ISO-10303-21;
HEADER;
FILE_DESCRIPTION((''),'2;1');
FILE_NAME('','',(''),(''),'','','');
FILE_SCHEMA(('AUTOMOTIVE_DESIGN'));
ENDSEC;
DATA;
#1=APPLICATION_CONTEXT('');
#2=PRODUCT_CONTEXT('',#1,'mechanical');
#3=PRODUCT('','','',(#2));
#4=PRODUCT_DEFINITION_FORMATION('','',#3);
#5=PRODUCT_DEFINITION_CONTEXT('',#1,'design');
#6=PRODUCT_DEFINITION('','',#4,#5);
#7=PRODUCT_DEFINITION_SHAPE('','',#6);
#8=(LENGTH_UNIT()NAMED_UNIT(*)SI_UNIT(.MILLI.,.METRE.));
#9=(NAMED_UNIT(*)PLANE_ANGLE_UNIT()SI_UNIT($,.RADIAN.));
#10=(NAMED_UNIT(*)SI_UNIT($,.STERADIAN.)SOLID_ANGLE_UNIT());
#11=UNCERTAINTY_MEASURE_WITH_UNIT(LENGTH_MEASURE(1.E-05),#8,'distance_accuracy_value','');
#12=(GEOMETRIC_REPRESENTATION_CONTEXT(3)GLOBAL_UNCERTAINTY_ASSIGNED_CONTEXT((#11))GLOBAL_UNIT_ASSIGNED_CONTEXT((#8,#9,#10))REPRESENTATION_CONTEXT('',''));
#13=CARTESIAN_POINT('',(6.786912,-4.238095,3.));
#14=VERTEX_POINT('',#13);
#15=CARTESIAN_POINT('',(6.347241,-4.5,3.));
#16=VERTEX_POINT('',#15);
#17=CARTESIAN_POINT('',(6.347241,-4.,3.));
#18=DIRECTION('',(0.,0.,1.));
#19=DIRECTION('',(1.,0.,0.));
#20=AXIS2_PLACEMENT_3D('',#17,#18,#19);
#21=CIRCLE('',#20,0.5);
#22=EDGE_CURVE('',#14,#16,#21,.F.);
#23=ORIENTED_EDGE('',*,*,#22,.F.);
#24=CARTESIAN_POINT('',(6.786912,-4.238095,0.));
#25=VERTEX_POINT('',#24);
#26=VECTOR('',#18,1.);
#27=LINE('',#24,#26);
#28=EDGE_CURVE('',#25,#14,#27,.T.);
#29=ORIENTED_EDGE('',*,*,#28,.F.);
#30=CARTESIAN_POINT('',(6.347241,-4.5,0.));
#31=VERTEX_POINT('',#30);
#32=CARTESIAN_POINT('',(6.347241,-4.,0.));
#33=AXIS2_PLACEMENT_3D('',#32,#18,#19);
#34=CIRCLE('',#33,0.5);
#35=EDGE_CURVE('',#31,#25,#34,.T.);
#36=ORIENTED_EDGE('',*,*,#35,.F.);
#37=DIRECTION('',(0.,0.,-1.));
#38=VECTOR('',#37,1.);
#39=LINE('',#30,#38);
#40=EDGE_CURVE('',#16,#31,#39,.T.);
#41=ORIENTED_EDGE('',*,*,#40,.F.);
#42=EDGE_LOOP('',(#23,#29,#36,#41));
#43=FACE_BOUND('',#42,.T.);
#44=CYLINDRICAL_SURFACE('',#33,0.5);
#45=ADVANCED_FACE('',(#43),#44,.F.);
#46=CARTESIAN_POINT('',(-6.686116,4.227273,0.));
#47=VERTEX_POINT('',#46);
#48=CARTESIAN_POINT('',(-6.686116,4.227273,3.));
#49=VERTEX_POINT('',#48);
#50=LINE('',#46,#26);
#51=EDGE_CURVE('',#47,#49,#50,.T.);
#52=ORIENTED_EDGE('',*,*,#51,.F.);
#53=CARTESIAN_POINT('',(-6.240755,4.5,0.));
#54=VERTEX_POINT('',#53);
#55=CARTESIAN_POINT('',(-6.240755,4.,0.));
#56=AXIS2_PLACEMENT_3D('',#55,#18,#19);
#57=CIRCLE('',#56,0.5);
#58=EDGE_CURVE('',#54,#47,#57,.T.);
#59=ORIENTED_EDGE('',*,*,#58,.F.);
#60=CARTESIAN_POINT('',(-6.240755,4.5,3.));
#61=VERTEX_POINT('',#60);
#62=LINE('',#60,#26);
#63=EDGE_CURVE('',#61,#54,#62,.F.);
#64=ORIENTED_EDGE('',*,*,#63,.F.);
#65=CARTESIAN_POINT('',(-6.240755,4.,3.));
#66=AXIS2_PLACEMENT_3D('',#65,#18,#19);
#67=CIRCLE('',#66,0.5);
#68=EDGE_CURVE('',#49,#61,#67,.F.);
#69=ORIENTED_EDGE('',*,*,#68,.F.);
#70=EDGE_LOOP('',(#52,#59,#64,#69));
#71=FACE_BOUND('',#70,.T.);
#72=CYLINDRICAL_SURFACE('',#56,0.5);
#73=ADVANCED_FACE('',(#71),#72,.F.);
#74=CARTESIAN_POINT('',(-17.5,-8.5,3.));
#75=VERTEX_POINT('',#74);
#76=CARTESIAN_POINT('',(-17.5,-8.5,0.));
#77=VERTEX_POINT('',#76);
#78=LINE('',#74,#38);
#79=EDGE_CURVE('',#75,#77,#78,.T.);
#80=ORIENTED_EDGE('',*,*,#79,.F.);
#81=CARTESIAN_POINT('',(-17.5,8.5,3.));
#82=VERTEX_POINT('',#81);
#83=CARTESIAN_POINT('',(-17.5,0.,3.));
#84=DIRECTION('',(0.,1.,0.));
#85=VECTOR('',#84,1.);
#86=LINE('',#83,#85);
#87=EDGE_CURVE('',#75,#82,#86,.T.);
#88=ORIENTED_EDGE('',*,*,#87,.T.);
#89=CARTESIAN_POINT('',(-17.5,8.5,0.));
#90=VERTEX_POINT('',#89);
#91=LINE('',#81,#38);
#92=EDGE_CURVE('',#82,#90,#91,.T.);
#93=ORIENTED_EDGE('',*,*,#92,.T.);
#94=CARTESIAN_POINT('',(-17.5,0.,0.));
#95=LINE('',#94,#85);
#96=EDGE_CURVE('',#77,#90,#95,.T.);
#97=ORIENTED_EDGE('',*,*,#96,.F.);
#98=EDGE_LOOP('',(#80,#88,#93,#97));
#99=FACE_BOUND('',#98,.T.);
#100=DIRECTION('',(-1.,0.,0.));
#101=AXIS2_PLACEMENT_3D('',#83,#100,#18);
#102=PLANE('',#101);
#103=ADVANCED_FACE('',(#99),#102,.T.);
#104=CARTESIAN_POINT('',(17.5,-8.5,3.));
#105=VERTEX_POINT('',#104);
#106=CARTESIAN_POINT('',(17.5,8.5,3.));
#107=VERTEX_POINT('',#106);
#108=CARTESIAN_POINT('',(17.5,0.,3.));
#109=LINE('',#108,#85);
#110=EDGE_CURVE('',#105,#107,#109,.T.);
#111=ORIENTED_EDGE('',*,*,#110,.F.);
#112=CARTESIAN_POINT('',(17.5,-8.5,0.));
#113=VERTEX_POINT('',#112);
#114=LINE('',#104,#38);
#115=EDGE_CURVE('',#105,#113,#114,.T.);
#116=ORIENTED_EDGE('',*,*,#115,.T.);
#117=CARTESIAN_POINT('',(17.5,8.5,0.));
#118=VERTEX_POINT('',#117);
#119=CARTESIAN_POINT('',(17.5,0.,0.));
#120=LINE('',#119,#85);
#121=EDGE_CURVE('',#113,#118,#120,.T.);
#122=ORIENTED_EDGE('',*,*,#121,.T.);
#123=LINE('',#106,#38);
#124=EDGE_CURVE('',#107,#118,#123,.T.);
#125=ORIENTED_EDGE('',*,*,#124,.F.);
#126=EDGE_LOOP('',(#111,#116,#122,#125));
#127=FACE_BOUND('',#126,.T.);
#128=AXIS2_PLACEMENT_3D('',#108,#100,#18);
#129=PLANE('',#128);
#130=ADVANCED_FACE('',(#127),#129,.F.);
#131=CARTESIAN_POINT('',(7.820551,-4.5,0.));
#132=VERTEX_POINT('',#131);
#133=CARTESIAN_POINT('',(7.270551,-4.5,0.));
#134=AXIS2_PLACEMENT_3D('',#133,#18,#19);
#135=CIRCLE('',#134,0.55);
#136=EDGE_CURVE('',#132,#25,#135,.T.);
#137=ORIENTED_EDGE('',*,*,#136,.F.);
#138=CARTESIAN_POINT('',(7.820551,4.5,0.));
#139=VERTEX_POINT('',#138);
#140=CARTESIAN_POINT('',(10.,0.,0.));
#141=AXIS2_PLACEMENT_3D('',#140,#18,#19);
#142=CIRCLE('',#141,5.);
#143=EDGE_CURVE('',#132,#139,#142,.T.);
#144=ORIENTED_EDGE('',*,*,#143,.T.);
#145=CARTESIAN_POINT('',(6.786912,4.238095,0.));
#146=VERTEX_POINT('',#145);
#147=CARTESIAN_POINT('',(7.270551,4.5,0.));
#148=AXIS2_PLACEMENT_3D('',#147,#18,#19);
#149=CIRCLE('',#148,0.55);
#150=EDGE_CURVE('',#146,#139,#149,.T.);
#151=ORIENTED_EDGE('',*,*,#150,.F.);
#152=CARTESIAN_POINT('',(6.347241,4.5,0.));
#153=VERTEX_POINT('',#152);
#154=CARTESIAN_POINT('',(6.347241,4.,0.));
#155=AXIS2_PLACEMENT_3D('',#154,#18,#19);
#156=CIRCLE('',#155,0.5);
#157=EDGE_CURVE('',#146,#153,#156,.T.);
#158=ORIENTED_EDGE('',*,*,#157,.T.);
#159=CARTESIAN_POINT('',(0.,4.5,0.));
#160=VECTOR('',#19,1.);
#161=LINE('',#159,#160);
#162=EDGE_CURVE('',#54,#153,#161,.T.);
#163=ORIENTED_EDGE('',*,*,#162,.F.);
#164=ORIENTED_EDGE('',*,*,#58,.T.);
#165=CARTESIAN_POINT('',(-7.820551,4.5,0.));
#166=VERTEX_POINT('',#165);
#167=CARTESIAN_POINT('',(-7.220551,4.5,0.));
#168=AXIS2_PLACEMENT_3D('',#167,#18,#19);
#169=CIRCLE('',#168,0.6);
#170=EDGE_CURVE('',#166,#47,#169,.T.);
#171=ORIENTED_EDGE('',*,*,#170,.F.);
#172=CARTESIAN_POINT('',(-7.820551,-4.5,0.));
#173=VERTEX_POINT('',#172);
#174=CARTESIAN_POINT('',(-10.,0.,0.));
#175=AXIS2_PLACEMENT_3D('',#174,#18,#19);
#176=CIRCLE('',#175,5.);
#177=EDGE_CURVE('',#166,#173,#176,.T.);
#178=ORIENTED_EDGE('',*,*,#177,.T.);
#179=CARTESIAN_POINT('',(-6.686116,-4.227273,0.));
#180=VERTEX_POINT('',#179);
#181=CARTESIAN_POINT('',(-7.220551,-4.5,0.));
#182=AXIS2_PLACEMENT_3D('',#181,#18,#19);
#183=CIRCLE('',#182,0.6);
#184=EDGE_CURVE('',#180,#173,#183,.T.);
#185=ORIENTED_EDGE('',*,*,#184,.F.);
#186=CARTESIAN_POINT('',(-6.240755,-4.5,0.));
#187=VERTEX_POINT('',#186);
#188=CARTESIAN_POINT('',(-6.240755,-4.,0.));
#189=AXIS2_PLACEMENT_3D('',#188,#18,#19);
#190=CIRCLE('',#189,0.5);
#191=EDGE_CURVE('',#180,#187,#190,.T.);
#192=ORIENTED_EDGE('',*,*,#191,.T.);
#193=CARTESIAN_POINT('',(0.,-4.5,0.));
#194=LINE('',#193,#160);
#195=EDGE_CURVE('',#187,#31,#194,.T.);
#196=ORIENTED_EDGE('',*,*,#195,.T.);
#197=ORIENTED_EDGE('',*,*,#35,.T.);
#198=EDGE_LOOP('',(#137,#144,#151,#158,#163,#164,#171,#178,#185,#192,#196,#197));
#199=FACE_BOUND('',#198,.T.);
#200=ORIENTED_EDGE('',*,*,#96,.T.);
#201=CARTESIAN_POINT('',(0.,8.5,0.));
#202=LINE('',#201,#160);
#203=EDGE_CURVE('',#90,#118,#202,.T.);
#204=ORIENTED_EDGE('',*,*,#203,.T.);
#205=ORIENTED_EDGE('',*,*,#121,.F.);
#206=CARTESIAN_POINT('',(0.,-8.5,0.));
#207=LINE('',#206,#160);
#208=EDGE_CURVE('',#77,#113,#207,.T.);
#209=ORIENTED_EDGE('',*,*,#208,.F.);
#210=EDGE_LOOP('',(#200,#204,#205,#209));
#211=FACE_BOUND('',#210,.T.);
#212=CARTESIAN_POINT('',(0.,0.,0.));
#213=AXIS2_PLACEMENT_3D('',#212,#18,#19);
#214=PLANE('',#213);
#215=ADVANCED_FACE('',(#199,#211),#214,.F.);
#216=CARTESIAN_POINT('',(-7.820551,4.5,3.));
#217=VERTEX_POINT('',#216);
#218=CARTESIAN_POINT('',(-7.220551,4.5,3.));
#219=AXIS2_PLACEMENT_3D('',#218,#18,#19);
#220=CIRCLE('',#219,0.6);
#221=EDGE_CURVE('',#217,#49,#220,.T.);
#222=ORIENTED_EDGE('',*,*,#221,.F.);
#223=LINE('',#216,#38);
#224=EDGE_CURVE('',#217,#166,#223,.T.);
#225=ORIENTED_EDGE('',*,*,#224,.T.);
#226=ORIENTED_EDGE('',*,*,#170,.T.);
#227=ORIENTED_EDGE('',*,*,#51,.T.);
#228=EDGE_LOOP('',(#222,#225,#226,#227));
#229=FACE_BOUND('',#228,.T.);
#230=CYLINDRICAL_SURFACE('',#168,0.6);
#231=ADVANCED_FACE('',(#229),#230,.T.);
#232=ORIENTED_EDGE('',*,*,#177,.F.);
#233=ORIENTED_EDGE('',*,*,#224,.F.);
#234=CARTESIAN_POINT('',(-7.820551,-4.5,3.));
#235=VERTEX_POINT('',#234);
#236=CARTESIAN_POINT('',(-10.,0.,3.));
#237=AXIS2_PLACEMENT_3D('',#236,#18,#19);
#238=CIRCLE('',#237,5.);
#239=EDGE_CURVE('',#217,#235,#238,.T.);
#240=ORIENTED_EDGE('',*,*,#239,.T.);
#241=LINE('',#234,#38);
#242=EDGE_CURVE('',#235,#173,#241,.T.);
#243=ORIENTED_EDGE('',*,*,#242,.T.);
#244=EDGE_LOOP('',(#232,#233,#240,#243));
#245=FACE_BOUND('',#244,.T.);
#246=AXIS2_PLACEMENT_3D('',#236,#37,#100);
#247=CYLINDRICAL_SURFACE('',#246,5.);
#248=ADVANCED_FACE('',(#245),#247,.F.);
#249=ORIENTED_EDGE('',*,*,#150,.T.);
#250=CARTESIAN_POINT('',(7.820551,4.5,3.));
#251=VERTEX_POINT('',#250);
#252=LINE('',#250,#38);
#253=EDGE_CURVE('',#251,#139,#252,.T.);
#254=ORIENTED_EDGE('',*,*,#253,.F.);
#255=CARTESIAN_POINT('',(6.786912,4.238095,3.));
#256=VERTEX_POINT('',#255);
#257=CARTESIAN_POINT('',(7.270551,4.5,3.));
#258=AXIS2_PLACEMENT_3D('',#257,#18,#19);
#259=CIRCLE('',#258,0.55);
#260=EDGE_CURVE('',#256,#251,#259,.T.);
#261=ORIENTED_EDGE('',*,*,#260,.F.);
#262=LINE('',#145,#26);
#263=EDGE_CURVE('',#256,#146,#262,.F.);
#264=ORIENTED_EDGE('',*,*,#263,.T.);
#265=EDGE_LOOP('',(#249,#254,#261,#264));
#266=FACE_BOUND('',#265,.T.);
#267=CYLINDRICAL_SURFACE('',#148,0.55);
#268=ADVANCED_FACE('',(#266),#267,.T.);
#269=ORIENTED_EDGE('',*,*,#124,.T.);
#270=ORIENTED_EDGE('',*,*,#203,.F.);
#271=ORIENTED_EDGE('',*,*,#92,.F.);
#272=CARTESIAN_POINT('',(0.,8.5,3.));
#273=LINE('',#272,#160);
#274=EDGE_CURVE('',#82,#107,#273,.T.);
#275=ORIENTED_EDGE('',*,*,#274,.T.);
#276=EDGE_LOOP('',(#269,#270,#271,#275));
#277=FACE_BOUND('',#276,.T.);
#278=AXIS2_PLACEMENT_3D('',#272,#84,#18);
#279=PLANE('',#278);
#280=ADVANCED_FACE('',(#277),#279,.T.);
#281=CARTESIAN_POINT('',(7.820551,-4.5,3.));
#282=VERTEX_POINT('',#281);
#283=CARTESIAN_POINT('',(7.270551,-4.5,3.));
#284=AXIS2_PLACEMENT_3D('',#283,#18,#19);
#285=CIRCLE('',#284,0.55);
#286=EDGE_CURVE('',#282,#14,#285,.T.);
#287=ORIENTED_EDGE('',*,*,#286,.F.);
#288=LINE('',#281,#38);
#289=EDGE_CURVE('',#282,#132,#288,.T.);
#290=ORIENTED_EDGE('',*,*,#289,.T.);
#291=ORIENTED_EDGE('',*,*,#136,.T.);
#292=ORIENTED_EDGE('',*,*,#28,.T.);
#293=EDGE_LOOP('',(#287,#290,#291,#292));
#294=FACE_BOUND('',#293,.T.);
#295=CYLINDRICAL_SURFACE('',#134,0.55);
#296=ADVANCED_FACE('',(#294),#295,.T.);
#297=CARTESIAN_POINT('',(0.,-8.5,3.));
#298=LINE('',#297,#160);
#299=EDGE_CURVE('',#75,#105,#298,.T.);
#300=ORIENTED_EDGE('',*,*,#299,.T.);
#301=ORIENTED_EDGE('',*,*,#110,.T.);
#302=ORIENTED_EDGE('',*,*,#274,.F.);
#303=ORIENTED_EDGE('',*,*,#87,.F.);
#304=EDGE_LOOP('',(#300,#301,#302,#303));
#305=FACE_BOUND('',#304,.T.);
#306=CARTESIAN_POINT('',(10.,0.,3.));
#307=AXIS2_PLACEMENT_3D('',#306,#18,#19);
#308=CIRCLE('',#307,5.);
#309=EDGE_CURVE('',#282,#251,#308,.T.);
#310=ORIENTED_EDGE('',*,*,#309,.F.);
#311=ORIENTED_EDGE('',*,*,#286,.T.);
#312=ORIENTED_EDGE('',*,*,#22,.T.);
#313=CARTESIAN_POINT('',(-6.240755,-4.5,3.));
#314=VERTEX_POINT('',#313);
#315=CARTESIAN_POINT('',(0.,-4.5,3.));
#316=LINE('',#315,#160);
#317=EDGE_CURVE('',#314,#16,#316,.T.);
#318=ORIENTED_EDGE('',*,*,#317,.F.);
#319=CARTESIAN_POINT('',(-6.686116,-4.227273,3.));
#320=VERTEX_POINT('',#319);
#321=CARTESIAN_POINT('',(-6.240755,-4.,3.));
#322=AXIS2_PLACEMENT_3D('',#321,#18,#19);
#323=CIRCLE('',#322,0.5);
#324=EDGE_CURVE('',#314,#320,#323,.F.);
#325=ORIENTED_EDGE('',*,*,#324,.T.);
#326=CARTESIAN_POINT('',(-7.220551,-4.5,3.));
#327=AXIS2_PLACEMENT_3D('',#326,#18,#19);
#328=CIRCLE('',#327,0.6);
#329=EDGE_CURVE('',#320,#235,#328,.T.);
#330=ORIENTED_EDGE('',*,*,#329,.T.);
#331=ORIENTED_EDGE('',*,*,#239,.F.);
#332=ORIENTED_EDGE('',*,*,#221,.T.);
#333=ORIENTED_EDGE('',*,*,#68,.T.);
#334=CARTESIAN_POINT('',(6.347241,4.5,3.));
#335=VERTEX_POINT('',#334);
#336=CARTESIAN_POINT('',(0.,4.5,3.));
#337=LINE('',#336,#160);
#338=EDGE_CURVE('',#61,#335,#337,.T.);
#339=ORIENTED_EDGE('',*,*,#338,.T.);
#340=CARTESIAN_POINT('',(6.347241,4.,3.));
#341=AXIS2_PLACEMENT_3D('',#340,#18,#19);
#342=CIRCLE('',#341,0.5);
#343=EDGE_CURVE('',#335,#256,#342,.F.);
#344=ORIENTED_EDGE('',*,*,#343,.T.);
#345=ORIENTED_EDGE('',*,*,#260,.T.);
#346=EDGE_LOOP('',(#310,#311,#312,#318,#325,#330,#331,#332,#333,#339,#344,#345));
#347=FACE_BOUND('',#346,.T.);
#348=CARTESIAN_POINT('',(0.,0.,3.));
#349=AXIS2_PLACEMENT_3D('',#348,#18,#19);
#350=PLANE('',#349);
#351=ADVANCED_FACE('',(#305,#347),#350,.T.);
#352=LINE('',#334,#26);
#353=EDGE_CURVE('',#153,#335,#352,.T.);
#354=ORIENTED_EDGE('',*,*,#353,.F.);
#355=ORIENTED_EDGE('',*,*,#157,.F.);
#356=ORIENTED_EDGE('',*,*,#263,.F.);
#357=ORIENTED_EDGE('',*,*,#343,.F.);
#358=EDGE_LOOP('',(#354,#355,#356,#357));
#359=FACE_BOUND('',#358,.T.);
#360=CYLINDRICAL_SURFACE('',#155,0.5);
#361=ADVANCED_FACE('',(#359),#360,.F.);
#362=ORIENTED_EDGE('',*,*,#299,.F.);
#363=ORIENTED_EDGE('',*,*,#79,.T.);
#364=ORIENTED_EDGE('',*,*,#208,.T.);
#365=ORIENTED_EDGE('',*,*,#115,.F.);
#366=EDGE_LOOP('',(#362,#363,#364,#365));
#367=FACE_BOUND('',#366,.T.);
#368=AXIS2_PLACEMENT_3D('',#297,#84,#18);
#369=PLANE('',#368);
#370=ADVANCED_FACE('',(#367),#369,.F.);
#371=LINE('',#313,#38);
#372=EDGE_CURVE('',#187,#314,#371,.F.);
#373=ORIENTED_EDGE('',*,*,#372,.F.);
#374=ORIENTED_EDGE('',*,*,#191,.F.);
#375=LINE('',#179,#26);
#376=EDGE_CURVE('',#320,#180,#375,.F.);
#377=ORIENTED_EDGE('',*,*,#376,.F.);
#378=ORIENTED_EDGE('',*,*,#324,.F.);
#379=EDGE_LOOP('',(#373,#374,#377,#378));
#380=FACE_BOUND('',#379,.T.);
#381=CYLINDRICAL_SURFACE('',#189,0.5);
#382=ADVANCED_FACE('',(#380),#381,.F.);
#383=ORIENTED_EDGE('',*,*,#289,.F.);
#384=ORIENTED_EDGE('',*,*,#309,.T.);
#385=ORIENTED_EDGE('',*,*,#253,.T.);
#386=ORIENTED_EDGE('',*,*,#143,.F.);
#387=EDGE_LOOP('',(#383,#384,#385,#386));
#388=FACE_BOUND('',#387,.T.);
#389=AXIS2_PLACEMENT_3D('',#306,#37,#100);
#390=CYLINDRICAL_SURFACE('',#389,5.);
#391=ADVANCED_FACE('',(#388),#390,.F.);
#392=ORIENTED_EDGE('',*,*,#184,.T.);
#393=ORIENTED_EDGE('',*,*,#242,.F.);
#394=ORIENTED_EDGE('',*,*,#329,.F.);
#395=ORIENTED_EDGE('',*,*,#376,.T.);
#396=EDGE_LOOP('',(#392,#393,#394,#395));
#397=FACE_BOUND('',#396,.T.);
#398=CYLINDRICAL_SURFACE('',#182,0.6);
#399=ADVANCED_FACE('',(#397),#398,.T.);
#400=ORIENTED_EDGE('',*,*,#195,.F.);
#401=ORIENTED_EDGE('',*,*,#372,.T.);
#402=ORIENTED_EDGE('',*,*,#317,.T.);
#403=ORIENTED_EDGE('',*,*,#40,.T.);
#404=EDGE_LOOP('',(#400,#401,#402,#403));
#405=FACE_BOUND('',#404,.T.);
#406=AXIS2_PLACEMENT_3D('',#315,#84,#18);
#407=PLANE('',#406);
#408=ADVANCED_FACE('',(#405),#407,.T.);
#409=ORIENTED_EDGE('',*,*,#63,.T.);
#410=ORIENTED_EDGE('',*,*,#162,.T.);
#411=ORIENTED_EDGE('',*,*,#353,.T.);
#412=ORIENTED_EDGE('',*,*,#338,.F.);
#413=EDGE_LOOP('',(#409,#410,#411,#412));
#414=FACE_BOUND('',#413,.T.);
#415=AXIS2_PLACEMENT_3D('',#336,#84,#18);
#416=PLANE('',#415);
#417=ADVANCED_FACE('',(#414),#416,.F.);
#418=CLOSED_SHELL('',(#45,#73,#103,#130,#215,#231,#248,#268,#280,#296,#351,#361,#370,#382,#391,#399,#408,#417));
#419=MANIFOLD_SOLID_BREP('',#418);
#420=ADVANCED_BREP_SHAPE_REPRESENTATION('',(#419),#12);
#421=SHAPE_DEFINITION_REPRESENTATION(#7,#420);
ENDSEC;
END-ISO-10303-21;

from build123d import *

# Parameters (mm, degrees)
SKETCH_1_W      = 35
SKETCH_1_H      = 17
EXTRUDE_1_DEPTH = 3
SKETCH_2_R      = 0.6
SKETCH_2_R_2    = 0.55
EXTRUDE_2_DEPTH = 3
FILLET_1_R      = 0.5


with BuildPart() as part:
    # 스케치1 → 보스-돌출1 (new body)
    with BuildSketch(Plane.XY):
        Rectangle(SKETCH_1_W, SKETCH_1_H)
        with BuildLine():
            Line((7.820550528, -4.5), (-7.820550528, -4.5))
            ThreePointArc((-7.820550528, -4.5), (-15, 0), (-7.820550528, 4.5))
            Line((-7.820550528, 4.5), (7.820550528, 4.5))
            ThreePointArc((7.820550528, 4.5), (12.655442773, 4.236581603), (15, 0))
            ThreePointArc((15, 0), (12.655442773, -4.236581603), (7.820550528, -4.5))
        make_face(mode=Mode.SUBTRACT)
    extrude(amount=EXTRUDE_1_DEPTH)

    # 스케치2 → 보스-돌출2 (add)
    with BuildSketch(Plane.XY.offset(3)):
        with Locations((-7.220550528, 4.5)):
            Circle(SKETCH_2_R)
        with Locations((-7.220550528, -4.5)):
            Circle(SKETCH_2_R)
        with Locations((7.270550528, -4.5)):
            Circle(SKETCH_2_R_2)
        with Locations((7.270550528, 4.5)):
            Circle(SKETCH_2_R_2)
    extrude(amount=-EXTRUDE_2_DEPTH)

    # 필렛1
    fillet_1_edges = [part.edges().sort_by_distance(p)[0] for p in [
        (-6.620550528, 4.5, 1.5),
        (-6.620550528, -4.5, 1.5),
        (6.720550528, -4.5, 1.5),
        (6.720550528, 4.5, 1.5),
    ]]
    fillet(fillet_1_edges, radius=FILLET_1_R)


solid = part.part
